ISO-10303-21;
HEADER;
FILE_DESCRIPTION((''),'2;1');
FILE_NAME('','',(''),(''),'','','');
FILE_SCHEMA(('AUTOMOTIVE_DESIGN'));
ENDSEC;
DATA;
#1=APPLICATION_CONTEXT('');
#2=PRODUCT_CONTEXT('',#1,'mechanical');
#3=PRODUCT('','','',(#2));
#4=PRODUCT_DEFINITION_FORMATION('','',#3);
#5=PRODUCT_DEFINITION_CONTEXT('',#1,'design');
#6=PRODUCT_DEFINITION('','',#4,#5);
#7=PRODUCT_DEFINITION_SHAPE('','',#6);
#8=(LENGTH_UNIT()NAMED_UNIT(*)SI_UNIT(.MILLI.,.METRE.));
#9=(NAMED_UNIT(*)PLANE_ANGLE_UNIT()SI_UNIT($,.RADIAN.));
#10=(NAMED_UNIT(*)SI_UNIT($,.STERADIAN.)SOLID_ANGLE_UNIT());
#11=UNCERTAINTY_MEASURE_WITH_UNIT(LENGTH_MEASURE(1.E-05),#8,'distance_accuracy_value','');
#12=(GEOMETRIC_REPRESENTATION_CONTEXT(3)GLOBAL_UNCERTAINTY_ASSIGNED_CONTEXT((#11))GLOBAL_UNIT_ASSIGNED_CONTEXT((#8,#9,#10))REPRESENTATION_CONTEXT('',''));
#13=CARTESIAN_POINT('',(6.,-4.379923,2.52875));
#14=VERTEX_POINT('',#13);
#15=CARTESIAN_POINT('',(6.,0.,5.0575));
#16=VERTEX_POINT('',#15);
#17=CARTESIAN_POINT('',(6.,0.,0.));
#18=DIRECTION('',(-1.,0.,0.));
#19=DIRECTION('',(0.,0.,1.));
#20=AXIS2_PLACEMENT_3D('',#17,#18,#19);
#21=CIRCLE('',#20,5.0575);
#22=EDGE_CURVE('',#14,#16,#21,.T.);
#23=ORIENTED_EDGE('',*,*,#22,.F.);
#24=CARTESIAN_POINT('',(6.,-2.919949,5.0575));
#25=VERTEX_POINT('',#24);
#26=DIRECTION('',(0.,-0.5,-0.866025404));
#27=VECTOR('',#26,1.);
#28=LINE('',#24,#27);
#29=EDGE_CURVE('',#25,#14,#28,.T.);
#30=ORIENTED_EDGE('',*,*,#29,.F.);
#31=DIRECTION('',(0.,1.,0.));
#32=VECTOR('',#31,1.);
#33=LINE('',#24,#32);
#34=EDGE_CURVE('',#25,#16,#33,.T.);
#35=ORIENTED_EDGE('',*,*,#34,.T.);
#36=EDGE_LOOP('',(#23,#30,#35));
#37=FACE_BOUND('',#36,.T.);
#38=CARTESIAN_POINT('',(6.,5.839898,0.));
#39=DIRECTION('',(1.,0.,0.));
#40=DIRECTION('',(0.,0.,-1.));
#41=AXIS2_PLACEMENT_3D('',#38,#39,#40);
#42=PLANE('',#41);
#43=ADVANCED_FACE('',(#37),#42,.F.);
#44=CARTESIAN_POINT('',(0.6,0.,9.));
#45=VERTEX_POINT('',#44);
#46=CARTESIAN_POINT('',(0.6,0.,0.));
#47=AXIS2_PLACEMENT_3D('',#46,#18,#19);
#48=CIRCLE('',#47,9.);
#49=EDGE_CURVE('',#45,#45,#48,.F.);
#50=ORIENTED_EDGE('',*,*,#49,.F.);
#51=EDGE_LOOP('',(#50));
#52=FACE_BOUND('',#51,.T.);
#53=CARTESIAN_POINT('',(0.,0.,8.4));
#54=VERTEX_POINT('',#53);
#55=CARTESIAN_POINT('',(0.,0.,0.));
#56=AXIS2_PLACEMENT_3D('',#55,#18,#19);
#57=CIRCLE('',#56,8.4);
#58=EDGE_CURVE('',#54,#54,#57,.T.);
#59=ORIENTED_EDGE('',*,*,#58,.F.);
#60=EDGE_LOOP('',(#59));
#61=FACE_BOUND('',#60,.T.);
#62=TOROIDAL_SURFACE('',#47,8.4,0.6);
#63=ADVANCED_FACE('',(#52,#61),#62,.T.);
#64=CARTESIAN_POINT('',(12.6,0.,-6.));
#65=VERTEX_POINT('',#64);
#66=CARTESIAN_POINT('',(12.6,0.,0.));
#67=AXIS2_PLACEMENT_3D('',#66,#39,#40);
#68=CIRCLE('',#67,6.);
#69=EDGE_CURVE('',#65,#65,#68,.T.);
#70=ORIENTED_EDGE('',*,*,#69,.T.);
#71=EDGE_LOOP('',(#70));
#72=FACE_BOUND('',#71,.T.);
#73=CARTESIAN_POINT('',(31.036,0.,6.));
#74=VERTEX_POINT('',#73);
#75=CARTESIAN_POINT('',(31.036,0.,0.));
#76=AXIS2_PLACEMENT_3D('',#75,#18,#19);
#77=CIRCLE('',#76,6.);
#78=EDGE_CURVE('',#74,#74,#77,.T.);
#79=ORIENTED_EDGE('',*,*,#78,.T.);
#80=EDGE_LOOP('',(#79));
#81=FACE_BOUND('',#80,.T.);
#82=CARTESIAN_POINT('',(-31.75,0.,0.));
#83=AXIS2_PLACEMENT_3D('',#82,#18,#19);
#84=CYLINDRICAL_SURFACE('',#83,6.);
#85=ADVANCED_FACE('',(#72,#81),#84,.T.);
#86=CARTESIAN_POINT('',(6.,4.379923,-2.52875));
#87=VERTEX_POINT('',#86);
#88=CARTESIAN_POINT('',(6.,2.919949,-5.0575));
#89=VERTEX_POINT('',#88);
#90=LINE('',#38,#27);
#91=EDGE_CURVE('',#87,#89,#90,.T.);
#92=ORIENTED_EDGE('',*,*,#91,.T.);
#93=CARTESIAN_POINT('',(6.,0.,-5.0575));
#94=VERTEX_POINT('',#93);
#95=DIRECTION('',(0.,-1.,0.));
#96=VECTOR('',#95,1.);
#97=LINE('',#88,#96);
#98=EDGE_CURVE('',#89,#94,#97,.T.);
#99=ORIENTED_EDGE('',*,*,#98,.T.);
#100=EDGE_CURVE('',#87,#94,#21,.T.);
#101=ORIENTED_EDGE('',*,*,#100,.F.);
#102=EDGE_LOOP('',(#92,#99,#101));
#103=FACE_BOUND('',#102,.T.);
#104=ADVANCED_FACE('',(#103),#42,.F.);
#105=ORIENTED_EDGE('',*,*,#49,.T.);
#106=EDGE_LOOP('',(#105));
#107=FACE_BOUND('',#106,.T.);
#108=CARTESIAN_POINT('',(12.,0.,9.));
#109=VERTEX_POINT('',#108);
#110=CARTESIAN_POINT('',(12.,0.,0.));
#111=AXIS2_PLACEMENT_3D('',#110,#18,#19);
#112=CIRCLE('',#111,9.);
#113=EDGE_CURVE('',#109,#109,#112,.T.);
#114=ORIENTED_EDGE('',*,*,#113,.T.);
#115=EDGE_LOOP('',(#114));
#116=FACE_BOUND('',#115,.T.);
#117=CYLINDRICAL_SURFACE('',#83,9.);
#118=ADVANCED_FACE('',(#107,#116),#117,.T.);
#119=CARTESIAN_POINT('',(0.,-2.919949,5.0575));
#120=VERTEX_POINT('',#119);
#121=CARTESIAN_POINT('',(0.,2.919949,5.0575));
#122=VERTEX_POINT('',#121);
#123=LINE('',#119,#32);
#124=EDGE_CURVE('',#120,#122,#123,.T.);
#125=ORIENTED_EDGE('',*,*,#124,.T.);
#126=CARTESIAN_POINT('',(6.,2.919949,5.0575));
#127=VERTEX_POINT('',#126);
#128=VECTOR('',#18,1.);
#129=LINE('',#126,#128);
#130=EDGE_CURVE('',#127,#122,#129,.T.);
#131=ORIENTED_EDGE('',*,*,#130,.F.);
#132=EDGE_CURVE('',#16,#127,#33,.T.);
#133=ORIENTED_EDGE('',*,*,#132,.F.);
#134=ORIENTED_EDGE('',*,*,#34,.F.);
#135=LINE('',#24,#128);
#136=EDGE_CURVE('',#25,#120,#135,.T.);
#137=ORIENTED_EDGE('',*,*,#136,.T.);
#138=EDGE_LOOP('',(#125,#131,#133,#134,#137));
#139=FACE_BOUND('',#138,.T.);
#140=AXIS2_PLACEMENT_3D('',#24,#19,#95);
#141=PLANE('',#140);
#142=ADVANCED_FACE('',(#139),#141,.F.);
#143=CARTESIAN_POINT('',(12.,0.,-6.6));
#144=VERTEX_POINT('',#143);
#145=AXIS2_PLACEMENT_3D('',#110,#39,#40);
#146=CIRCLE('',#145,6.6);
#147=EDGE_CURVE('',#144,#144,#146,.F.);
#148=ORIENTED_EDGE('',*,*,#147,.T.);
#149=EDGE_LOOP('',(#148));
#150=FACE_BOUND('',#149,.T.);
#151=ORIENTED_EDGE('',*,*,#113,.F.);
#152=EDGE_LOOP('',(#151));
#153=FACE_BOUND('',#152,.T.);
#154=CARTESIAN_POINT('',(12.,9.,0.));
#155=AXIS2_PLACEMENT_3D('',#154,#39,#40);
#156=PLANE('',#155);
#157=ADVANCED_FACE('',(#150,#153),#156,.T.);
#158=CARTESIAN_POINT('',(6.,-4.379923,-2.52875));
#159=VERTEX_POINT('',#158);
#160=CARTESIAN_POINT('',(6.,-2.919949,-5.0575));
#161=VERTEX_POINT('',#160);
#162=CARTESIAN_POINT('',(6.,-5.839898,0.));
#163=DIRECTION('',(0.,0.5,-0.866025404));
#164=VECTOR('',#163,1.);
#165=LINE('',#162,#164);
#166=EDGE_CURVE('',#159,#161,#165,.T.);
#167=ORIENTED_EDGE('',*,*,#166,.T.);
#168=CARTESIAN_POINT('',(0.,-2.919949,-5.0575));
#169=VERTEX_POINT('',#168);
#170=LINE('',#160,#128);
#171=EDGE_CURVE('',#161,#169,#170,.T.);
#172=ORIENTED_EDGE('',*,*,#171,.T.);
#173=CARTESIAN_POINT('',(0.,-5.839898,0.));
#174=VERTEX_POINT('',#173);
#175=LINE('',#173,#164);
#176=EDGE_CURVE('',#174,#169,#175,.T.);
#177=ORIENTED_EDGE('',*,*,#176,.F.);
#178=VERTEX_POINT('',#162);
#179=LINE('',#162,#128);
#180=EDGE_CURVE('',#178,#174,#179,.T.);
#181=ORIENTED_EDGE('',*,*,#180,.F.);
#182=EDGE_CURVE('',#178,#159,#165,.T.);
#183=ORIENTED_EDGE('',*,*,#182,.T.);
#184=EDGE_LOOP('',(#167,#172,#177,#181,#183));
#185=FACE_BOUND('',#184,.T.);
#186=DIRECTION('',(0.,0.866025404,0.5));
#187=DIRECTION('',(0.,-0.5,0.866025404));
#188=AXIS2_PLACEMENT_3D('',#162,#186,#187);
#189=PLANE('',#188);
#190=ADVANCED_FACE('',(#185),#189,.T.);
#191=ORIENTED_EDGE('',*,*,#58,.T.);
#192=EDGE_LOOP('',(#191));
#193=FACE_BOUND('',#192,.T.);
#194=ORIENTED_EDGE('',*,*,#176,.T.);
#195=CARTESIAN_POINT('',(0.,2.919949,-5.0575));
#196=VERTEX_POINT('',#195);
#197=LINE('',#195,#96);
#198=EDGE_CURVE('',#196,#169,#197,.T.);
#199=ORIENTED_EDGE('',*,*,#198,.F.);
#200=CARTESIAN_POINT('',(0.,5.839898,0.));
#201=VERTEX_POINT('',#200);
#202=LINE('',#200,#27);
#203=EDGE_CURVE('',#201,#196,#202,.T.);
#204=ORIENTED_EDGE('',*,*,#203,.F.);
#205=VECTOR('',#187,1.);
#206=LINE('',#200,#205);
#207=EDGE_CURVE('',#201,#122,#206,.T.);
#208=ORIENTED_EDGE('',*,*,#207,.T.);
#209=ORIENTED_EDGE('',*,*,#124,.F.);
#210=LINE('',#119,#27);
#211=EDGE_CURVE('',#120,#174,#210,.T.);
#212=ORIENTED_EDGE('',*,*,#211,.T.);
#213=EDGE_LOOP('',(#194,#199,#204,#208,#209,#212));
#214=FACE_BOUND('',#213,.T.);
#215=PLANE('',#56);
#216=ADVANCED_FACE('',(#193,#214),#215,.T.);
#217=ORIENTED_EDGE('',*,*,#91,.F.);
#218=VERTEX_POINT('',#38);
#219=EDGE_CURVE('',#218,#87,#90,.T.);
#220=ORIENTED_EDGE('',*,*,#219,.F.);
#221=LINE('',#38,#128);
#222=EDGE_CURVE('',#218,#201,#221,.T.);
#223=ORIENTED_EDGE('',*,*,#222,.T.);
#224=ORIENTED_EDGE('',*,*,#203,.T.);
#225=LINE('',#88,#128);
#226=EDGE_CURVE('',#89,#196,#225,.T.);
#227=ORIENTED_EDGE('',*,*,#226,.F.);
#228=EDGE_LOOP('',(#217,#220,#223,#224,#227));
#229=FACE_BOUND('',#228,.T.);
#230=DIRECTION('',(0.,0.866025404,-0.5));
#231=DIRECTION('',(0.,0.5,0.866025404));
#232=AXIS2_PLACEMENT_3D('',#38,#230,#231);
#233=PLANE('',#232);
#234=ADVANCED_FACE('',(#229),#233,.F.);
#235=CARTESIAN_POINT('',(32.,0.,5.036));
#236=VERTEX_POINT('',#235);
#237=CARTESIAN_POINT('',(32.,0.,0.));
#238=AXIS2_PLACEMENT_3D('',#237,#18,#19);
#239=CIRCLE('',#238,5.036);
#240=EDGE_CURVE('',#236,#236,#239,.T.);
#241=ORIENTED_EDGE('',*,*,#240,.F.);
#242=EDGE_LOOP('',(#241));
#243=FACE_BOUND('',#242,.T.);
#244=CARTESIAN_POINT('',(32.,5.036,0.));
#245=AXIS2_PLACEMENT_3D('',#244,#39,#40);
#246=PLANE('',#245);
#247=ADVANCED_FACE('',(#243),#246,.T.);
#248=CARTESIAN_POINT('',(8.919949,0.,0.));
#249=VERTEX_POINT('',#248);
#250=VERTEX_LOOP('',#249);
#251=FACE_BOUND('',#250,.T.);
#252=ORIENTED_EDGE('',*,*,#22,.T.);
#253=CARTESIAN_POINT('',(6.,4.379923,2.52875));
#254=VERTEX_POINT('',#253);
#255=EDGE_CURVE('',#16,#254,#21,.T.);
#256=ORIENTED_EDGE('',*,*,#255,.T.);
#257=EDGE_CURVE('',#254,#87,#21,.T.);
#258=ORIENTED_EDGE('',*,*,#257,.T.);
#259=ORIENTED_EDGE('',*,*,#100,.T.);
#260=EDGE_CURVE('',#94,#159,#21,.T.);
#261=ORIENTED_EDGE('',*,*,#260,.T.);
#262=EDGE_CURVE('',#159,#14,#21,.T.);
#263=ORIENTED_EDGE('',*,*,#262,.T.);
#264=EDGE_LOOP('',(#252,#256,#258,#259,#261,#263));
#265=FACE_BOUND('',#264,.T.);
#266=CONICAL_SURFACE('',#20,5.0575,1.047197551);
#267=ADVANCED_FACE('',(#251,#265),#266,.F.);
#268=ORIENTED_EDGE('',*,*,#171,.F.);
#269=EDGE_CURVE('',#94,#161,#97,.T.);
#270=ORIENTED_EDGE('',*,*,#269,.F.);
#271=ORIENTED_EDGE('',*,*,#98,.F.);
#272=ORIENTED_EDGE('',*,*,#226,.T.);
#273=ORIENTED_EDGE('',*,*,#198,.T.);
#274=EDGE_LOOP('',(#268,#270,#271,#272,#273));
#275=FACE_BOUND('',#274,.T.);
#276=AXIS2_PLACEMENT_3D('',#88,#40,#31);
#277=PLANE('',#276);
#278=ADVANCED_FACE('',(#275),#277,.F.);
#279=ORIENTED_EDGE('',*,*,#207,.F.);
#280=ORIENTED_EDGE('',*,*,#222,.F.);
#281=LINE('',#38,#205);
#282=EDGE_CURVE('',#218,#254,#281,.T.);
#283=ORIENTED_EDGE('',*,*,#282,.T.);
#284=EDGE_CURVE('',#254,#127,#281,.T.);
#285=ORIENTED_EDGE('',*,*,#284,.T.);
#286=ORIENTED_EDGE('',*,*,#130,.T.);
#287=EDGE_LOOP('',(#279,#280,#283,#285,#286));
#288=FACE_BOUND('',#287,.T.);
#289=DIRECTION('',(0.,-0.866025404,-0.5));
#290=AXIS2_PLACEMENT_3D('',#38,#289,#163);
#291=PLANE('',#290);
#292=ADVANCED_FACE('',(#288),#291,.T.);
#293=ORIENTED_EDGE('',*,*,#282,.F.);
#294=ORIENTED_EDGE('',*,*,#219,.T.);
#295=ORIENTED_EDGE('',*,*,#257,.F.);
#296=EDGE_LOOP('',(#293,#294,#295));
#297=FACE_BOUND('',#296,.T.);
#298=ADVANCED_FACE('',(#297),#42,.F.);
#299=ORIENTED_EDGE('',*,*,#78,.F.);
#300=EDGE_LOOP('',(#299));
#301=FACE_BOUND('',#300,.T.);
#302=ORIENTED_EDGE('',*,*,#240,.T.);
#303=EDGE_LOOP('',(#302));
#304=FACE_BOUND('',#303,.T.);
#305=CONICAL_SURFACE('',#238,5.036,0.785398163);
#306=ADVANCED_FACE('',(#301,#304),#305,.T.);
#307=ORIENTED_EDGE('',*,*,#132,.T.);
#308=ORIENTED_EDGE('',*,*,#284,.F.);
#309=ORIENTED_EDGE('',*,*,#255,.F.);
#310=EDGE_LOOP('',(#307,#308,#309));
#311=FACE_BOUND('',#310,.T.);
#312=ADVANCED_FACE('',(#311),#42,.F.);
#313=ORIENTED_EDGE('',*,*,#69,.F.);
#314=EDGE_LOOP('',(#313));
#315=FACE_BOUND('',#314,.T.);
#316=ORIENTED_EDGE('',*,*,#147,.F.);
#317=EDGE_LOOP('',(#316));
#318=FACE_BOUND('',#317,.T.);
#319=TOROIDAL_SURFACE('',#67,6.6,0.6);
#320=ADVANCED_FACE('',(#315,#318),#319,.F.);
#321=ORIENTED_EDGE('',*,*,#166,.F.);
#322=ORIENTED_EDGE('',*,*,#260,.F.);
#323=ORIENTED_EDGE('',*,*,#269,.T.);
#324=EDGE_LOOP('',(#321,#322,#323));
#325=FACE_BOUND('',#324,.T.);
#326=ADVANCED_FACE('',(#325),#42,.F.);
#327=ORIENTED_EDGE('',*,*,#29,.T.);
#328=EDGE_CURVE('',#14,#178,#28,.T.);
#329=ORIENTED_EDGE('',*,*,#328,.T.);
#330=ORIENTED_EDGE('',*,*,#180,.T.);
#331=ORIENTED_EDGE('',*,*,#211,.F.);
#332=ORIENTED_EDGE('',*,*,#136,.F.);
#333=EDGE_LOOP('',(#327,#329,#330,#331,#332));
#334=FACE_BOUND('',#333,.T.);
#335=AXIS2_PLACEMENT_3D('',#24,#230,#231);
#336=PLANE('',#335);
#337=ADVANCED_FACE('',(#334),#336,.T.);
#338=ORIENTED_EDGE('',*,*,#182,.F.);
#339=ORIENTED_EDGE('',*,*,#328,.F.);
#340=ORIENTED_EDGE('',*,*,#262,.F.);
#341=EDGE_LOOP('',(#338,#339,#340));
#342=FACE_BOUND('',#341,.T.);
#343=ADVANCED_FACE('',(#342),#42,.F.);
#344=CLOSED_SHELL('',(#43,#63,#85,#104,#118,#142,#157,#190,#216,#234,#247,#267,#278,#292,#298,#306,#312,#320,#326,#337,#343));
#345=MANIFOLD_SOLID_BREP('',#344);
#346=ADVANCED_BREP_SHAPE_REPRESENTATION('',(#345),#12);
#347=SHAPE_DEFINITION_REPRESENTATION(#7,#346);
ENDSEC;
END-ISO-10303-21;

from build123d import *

# Parameters (mm, degrees)
FILLET1_R   = 0.6
FILLET2_R   = 0.6
HEX_2_DEPTH = 6


with BuildPart() as part:
    # BodySke → Base-Revolve (revolve)
    with BuildSketch(Plane.XY, mode=Mode.PRIVATE) as base_revolve_sk:
        Polygon((0, 0), (0, 9), (12, 9), (12, 6), (31.036, 6), (32, 5.036), (32, 0), align=None)
    revolve(base_revolve_sk.sketch.rotate(Axis((-31.75, 0, 0), (1, 0, 0)), 90), axis=Axis((-31.75, 0, 0), (1, 0, 0)))

    # Fillet1
    fillet1_edges = [part.edges().sort_by_distance(p)[0] for p in [
        (12, 0, -6),
    ]]
    fillet(fillet1_edges, radius=FILLET1_R)

    # Fillet2
    fillet2_edges = [part.edges().sort_by_distance(p)[0] for p in [
        (0, 0, -9),
    ]]
    fillet(fillet2_edges, radius=FILLET2_R)

    # Sketch2 → Hex-PreBroach (revolve, cut)
    with BuildSketch(Plane.XY, mode=Mode.PRIVATE) as hex_prebroach_sk:
        Polygon((0, 5.0575), (6, 5.0575), (8.919948986, 0), (0, 0), align=None)
    revolve(hex_prebroach_sk.sketch.rotate(Axis((0, 0, 0), (1, 0, 0)), 90), axis=Axis((0, 0, 0), (1, 0, 0)), mode=Mode.SUBTRACT)

    # Sketch3 → Hex 2 (cut)
    with BuildSketch(Plane(origin=(0, 0, 0), x_dir=(0, 0.500000000000001, 0.866025403784438), z_dir=(-1, 0, 0))):
        Polygon((2.919948986, 5.0575), (-2.919948986, 5.0575), (-5.839897973, 0), (-2.919948986, -5.0575), (2.919948986, -5.0575), (5.839897973, 0), align=None)
    extrude(amount=-HEX_2_DEPTH, mode=Mode.SUBTRACT)


solid = part.part
